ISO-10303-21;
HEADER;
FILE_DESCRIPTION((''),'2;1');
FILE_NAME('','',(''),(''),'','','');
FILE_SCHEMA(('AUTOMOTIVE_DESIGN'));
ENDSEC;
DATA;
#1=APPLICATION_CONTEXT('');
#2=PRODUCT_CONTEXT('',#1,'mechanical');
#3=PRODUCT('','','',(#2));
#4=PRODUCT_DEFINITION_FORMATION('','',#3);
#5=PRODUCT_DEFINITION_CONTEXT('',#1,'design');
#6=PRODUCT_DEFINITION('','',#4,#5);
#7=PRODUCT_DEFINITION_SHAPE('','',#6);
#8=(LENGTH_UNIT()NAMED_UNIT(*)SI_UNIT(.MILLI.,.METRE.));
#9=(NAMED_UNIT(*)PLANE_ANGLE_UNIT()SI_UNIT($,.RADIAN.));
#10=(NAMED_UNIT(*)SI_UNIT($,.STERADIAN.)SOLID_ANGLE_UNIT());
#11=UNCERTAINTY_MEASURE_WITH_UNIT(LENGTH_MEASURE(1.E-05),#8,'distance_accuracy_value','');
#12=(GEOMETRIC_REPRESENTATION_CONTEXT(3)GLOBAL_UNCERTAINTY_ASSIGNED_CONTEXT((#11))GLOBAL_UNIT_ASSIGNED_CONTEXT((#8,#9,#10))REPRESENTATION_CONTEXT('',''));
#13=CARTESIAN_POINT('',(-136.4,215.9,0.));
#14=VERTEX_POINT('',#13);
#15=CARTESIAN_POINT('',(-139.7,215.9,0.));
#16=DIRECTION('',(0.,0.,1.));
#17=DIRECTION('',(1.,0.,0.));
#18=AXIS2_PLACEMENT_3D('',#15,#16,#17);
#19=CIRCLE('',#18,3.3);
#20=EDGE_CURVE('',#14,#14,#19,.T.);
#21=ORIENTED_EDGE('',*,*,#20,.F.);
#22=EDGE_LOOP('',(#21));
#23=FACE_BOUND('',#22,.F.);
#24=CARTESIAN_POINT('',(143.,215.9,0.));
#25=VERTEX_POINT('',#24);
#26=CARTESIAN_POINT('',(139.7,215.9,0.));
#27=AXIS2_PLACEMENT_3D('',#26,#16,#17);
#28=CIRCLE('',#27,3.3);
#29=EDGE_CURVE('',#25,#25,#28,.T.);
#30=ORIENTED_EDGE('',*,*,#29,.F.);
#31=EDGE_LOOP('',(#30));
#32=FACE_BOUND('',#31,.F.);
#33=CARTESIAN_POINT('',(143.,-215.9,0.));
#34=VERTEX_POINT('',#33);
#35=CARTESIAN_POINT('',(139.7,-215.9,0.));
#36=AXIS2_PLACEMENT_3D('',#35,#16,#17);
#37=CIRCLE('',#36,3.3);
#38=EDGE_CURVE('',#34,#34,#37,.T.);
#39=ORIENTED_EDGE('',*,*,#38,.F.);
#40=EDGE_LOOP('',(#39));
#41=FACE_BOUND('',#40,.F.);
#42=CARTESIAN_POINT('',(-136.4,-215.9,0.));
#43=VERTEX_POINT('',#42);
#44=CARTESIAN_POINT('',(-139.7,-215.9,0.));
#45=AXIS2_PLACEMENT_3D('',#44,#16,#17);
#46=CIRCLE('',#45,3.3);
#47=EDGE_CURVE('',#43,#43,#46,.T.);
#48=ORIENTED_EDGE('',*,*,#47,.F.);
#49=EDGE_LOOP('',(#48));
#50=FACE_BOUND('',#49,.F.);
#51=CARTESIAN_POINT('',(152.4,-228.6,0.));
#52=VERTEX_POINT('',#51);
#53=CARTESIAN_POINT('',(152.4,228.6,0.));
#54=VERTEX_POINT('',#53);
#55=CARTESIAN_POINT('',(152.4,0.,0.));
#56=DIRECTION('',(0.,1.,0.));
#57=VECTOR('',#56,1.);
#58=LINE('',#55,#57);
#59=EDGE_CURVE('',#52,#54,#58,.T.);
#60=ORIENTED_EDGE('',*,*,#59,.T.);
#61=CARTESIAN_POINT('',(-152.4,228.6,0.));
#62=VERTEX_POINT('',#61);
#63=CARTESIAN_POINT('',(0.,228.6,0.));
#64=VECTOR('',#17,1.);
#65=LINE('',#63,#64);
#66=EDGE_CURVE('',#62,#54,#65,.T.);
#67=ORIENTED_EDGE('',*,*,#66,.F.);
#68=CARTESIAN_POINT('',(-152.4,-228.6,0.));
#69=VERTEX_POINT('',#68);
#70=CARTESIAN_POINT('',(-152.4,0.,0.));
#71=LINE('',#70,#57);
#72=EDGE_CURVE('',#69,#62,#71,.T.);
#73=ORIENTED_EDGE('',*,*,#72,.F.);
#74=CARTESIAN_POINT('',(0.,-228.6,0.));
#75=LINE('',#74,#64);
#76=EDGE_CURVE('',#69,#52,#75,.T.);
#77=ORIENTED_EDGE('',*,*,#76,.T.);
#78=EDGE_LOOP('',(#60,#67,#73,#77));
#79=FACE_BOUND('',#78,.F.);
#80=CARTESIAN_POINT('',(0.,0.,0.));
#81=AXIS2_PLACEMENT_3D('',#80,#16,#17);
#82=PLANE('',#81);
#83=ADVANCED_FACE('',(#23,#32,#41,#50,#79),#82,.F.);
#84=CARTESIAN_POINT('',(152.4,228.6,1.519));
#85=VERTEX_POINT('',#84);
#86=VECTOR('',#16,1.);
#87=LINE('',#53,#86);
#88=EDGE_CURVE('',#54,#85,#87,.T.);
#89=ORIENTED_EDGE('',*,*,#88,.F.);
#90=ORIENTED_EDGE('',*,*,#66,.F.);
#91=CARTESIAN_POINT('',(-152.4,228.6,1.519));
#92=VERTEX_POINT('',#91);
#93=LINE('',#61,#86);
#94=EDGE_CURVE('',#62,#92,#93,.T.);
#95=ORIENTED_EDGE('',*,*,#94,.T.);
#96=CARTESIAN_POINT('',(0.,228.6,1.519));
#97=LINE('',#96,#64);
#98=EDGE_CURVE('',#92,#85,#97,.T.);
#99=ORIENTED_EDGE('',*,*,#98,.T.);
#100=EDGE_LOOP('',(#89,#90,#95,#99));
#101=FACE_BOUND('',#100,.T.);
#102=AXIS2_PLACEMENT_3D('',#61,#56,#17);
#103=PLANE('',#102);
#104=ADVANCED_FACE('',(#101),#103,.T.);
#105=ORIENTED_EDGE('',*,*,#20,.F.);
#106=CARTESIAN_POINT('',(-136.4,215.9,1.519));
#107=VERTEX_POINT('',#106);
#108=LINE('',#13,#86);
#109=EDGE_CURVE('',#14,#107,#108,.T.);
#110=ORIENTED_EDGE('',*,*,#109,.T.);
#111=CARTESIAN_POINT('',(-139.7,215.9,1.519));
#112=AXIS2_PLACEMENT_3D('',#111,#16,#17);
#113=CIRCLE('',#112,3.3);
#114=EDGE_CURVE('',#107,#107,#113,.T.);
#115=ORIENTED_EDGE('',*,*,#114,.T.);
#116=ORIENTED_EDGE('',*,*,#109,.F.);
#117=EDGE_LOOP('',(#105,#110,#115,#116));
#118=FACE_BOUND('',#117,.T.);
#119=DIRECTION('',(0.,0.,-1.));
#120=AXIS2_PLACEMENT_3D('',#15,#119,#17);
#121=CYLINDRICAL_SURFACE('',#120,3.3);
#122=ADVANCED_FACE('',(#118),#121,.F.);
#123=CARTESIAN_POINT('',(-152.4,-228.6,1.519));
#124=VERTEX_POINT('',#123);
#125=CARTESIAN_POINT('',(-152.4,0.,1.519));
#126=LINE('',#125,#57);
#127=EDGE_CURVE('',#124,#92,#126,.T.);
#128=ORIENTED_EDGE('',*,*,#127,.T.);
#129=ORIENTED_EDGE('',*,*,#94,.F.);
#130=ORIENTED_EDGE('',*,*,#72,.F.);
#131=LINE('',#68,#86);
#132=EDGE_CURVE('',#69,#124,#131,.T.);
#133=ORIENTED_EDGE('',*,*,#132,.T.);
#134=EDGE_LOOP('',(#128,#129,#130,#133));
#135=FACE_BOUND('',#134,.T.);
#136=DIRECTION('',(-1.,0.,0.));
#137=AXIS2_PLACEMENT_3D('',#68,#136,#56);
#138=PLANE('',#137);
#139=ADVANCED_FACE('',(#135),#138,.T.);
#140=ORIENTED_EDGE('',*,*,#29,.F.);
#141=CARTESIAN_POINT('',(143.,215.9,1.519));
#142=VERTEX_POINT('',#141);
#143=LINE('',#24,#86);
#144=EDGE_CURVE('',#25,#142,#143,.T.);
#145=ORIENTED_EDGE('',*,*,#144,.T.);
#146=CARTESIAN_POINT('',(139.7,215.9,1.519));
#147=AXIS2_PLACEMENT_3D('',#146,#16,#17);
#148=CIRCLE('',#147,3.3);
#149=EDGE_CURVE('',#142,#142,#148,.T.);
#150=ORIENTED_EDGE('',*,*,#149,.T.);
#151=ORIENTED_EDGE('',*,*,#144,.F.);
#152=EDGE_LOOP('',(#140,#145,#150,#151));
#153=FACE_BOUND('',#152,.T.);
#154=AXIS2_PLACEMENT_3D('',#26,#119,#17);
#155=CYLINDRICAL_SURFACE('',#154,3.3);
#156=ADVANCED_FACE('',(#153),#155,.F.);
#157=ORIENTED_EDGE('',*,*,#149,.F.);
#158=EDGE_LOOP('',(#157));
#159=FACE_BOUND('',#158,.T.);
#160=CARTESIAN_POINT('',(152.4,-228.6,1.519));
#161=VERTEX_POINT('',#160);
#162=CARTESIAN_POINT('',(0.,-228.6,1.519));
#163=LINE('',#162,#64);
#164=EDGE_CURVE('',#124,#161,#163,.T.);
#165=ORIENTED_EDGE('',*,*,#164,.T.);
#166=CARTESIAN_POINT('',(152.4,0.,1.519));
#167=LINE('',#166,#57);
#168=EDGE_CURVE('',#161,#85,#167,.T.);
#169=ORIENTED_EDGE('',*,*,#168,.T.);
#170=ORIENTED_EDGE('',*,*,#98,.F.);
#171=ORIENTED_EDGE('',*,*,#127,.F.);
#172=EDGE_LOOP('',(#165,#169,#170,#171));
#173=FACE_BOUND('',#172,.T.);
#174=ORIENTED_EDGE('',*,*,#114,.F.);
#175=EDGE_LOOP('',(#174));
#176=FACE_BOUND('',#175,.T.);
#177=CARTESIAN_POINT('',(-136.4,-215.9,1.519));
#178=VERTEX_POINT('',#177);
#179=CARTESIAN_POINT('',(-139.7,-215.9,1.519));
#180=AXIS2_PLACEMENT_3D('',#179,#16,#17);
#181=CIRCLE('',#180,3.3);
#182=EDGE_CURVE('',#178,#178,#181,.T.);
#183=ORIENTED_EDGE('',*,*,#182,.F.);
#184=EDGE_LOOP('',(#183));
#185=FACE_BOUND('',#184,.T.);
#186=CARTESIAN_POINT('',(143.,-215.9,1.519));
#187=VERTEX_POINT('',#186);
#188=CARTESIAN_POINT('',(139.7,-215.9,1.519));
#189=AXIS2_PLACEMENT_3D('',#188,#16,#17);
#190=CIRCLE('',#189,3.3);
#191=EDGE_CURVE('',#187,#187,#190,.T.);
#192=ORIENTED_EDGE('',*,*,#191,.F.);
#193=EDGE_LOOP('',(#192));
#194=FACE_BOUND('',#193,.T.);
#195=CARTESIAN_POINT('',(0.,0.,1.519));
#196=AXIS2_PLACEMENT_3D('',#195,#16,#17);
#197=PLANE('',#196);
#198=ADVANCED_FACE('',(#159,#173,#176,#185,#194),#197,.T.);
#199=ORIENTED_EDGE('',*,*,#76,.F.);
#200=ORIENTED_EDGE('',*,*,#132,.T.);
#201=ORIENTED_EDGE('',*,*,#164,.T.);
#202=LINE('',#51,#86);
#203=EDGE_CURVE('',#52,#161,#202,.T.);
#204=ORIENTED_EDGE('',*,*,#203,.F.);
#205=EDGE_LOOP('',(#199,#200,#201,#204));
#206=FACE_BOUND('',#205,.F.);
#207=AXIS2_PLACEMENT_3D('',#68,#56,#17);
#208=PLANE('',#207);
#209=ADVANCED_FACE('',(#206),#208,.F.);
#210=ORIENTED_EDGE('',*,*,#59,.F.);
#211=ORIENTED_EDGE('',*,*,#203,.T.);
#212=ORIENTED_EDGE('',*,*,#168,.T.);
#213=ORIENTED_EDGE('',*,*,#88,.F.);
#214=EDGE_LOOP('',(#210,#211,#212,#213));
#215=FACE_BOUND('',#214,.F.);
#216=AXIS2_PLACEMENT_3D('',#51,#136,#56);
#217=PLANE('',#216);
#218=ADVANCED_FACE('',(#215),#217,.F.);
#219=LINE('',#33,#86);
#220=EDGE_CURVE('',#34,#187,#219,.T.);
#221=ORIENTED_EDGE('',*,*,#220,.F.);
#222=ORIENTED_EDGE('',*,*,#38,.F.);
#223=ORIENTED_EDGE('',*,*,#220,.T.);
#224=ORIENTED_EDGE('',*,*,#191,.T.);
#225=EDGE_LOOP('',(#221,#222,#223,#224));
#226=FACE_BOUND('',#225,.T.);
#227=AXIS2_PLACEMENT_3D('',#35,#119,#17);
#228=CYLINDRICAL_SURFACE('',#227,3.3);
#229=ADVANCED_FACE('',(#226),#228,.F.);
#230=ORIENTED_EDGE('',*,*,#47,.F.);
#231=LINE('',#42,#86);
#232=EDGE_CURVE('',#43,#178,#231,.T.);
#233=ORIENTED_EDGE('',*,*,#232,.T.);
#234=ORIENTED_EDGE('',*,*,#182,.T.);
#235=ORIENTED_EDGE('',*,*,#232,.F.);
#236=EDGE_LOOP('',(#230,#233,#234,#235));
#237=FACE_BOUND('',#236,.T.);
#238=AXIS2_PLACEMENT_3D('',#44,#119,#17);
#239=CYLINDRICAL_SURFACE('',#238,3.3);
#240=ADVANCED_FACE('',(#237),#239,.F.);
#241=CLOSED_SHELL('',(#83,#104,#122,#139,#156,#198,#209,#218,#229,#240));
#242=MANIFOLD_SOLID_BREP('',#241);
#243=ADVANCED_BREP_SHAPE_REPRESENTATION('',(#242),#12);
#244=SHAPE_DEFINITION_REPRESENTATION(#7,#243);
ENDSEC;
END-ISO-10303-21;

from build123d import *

# Parameters (mm, degrees)
SKETCH_W  = 304.8
SKETCH_H  = 457.2
SKETCH_R  = 3.3
PAD_DEPTH = 1.519


with BuildPart() as part:
    # Sketch → Pad (new body)
    with BuildSketch(Plane.XY):
        Rectangle(SKETCH_W, SKETCH_H)
        with Locations((139.7, 215.9)):
            Circle(SKETCH_R, mode=Mode.SUBTRACT)
        with Locations((-139.7, 215.9)):
            Circle(SKETCH_R, mode=Mode.SUBTRACT)
        with Locations((-139.7, -215.9)):
            Circle(SKETCH_R, mode=Mode.SUBTRACT)
        with Locations((139.7, -215.9)):
            Circle(SKETCH_R, mode=Mode.SUBTRACT)
    extrude(amount=PAD_DEPTH)


solid = part.part
